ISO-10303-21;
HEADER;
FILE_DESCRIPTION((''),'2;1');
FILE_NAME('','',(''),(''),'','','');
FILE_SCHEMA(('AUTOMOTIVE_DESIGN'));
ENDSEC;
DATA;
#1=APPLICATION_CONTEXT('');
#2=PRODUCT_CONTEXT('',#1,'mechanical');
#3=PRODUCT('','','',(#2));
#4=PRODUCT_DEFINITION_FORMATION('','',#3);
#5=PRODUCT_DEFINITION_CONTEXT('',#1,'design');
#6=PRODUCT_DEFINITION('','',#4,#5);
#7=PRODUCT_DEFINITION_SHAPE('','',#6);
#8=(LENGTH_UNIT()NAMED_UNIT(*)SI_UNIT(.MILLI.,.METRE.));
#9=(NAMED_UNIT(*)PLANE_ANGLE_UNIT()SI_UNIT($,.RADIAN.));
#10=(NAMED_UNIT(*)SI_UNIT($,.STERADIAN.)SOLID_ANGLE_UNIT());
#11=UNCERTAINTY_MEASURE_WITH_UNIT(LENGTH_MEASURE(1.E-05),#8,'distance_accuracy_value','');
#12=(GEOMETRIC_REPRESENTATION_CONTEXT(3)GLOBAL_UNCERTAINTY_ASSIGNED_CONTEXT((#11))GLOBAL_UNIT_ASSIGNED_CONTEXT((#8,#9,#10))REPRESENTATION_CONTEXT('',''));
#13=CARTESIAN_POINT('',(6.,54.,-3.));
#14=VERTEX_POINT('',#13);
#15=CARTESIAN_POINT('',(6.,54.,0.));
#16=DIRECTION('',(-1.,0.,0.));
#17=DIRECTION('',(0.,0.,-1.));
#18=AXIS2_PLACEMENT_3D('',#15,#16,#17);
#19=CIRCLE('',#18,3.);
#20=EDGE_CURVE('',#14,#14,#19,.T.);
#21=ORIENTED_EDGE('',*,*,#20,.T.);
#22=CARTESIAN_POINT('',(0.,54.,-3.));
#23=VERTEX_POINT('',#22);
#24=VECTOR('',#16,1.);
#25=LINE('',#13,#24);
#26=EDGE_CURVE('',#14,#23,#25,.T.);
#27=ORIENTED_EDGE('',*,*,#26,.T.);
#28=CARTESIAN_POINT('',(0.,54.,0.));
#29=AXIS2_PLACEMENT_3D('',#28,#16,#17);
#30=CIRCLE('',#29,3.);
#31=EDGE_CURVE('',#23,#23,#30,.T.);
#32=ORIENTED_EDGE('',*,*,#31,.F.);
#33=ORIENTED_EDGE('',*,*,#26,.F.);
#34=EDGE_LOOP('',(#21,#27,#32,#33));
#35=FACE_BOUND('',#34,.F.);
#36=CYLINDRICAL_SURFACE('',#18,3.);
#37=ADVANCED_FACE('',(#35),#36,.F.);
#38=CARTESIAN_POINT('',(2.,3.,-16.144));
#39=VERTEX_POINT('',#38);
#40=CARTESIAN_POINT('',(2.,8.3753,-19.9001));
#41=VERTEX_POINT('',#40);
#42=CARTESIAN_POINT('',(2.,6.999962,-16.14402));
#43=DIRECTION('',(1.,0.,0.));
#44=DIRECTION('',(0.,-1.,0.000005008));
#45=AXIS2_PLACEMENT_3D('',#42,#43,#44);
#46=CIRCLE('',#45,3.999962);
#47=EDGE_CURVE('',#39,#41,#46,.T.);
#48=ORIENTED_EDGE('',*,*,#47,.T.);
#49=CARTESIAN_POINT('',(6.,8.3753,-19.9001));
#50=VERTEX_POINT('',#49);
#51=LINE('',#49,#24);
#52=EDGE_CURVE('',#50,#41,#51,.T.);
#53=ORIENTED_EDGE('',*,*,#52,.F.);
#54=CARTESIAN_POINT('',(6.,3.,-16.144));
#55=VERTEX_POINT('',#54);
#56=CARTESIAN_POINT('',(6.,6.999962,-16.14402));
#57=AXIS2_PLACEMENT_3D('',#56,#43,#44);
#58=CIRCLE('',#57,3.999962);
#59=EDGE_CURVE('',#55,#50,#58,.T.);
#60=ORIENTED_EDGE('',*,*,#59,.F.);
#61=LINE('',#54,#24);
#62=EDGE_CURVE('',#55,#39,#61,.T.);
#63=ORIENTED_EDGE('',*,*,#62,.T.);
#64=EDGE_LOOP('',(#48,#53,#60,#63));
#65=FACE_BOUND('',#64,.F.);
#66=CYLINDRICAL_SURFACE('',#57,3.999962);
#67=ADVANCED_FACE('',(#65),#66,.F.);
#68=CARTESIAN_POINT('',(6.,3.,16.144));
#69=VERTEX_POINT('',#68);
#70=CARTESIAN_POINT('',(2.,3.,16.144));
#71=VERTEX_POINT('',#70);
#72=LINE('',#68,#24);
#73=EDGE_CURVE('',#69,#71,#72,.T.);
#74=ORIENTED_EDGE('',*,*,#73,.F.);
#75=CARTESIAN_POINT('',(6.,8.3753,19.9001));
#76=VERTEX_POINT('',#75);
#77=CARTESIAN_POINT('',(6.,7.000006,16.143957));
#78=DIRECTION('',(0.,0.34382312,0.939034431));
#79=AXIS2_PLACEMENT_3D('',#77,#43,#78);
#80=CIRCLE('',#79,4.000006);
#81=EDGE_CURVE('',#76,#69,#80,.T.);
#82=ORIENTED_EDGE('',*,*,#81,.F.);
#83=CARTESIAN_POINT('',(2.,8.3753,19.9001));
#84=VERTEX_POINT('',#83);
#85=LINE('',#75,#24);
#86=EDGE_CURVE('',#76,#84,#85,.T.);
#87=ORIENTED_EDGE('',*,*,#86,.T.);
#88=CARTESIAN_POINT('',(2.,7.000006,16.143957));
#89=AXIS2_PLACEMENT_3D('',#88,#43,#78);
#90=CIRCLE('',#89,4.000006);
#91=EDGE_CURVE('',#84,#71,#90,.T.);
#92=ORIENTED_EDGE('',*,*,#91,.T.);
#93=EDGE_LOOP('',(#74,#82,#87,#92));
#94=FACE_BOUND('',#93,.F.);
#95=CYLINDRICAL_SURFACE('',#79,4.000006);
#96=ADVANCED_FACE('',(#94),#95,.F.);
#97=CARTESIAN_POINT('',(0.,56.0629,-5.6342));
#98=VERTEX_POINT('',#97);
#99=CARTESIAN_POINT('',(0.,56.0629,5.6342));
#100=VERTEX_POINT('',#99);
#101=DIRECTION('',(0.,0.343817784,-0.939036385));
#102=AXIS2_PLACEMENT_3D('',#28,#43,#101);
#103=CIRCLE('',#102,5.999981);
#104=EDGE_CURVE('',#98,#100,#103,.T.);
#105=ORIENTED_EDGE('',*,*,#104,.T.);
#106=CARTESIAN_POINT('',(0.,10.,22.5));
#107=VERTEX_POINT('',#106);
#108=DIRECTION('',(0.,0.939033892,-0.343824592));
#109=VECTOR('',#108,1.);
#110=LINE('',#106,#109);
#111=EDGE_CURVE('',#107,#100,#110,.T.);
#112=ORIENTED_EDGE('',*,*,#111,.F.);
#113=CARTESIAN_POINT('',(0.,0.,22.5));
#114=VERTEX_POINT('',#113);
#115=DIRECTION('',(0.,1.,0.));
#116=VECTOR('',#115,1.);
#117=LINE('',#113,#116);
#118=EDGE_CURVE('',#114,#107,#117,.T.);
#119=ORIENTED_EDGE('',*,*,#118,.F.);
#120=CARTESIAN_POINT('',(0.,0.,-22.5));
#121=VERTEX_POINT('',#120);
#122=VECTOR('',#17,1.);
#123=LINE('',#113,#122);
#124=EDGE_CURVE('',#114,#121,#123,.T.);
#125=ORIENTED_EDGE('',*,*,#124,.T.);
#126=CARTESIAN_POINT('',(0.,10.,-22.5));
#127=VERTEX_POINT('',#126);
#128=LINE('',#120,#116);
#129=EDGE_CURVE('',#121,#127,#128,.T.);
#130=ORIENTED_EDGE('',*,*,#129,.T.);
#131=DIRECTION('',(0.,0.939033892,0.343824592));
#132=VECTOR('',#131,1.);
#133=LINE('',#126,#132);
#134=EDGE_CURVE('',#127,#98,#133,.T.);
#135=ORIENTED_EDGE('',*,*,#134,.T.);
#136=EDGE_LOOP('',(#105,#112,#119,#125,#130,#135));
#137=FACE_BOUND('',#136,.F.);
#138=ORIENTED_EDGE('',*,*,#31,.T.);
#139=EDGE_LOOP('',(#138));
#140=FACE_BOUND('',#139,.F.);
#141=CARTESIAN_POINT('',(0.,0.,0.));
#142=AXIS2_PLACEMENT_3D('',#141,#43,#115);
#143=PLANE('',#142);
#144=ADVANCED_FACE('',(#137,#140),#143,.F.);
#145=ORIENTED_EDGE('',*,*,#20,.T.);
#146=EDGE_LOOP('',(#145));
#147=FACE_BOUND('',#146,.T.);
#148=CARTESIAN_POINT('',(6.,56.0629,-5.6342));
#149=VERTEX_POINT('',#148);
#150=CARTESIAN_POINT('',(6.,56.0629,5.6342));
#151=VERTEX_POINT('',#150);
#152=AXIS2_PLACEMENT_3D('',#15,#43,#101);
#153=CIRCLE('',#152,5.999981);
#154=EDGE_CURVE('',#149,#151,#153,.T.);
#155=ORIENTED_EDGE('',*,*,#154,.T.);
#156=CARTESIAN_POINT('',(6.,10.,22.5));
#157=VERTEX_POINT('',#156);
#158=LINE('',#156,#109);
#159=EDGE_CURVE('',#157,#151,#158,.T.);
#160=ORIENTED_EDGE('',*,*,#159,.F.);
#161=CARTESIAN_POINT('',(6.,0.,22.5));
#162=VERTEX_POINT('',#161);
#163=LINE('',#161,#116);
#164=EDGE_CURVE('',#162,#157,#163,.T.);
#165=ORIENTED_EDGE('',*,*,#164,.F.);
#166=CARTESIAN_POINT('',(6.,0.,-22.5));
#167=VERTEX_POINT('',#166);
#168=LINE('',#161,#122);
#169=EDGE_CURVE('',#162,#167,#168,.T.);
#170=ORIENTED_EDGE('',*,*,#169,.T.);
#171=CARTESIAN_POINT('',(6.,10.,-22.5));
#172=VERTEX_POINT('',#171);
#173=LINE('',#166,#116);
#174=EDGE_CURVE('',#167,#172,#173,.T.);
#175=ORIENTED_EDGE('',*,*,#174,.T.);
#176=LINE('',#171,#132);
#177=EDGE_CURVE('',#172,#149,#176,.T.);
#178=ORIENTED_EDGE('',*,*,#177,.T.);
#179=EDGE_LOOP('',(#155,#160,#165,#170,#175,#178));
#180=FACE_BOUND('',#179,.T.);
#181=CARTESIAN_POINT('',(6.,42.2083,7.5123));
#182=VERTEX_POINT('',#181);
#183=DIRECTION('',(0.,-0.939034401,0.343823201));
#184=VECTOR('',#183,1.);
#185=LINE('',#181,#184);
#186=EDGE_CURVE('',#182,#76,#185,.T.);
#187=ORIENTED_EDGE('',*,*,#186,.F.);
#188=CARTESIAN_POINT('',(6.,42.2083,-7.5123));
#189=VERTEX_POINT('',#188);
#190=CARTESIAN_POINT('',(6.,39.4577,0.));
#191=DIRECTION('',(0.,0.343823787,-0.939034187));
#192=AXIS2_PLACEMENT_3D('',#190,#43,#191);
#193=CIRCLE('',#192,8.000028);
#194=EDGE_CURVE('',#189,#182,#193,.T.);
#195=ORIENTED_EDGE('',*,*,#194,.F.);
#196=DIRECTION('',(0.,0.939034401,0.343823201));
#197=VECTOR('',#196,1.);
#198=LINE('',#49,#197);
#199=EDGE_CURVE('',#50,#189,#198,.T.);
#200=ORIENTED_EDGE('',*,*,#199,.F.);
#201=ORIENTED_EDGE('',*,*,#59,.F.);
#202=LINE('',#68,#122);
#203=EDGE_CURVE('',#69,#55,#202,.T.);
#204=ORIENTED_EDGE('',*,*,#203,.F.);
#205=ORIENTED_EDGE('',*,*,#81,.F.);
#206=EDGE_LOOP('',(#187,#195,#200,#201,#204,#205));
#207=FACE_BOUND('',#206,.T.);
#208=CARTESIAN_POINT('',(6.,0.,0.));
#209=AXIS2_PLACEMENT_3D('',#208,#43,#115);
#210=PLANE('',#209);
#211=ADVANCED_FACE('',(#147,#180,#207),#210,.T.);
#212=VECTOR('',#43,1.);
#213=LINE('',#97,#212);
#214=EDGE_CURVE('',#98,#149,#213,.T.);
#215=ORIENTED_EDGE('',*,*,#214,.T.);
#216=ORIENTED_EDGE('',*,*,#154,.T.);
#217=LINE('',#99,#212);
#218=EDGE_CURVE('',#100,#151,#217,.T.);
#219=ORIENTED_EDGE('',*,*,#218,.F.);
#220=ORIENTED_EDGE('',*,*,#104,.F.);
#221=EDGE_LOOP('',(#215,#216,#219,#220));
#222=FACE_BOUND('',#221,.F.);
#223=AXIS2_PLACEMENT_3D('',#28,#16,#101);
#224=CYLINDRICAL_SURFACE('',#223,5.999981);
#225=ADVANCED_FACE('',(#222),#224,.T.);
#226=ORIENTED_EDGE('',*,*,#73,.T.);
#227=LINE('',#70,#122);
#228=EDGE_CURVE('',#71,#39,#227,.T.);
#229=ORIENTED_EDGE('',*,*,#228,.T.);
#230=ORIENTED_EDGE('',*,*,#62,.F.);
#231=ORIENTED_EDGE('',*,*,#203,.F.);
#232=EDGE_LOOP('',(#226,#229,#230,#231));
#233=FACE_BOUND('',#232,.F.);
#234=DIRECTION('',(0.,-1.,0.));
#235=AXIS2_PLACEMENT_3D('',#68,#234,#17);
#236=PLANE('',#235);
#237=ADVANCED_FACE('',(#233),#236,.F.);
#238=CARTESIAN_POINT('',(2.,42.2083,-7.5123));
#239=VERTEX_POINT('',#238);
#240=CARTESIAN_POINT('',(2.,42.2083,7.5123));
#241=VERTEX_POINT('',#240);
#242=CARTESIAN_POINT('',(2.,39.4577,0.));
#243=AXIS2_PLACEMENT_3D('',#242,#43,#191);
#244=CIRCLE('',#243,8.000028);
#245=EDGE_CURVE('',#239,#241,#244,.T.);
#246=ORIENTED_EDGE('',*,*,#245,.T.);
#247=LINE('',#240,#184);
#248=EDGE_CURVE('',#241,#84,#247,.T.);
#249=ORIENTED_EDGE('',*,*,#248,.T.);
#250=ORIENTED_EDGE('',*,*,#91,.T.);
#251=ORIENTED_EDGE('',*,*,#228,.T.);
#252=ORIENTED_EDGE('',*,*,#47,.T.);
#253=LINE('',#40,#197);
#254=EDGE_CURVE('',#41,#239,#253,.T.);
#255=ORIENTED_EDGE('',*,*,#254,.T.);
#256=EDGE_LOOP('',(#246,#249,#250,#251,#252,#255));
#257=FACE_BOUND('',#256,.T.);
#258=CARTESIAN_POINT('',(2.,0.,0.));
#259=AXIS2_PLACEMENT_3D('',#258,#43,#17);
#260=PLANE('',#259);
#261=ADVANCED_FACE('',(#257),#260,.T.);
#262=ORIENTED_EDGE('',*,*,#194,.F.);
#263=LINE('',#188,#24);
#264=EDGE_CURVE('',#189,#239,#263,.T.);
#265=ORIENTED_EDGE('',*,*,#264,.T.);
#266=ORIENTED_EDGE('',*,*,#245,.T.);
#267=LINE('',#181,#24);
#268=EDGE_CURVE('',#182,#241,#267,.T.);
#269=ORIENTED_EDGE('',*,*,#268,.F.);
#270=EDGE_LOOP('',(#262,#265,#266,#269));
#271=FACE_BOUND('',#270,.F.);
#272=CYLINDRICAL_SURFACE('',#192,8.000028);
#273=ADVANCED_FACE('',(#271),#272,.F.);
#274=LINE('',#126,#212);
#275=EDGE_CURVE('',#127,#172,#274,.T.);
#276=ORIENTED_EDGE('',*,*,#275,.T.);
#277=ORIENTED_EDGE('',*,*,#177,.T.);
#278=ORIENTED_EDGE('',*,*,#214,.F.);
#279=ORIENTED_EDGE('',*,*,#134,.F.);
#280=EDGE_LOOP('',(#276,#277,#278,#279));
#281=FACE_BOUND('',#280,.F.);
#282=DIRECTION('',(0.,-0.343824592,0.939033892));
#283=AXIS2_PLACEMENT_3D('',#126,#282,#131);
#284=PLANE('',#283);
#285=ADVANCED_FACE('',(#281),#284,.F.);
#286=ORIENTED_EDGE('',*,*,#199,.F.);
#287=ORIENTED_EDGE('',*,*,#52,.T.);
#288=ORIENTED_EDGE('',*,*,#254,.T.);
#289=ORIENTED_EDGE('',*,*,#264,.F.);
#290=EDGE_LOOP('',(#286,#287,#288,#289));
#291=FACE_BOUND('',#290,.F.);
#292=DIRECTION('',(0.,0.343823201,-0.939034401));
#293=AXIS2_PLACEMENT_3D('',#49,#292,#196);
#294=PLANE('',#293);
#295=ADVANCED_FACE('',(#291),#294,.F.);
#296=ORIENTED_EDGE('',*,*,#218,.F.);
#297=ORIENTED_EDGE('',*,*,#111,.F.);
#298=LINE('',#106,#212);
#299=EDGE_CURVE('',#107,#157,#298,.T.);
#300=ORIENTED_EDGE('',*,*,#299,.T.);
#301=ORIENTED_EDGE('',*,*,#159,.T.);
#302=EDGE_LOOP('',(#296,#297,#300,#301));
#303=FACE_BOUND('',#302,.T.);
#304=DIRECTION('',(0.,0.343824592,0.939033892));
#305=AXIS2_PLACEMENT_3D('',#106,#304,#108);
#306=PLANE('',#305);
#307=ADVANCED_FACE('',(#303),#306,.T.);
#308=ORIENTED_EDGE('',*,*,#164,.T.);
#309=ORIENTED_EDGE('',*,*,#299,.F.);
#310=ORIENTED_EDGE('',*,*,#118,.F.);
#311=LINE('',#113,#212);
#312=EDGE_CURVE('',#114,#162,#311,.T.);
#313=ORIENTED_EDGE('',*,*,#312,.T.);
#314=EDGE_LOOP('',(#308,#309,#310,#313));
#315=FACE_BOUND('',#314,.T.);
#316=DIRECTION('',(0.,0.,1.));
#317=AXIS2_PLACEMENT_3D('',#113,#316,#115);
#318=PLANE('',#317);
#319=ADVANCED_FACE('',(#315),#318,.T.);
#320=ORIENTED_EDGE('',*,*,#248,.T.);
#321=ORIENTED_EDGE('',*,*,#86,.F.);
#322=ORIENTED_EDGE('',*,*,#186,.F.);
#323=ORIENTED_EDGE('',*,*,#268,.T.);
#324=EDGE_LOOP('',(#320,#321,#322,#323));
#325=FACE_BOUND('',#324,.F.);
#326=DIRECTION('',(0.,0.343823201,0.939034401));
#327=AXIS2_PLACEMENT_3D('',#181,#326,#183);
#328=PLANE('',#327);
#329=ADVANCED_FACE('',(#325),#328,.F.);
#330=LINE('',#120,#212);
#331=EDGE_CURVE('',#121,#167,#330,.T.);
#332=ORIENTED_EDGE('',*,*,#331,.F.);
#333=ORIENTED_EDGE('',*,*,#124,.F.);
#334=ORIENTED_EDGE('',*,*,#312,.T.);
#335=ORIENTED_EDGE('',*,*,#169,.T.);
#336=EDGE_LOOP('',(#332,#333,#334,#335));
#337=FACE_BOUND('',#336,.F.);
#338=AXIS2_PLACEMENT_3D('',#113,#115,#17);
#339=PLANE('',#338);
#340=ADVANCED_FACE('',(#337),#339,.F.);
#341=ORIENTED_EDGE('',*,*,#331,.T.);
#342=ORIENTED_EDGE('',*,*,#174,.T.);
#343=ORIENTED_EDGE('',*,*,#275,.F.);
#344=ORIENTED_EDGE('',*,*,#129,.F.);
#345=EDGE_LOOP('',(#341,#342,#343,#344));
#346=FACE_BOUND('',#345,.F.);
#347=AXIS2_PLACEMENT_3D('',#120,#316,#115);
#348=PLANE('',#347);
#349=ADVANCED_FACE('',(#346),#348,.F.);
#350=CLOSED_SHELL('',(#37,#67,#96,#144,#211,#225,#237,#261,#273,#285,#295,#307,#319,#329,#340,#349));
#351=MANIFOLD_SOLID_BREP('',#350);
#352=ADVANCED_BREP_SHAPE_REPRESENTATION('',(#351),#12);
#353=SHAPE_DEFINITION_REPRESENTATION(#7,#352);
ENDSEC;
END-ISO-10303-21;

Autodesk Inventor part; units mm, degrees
ref_plane "YZ Plane" through (0, 0, 0) normal (1, 0, 0) x (0, 1, 0)
ref_plane "XZ Plane" through (0, 0, 0) normal (0, 1, 0) x (-1, 0, 0)
ref_plane "XY Plane" through (0, 0, 0) normal (0, 0, 1) x (1, 0, 0)
sketch "Sketch1" plane through (0, 0, 0) normal (1, 0, 0) x (0, 1, 0)
  line L0 (0, 22.5) -> (0, -22.5)
  arc A0 (56.0629, -5.6342) -> (56.0629, 5.6342) centre (54, 0) ccw
  line L1 (0, 22.5) -> (10, 22.5)
  line L2 (0, -22.5) -> (10, -22.5)
  line L3 (10, -22.5) -> (56.0629, -5.6342)
  line L4 (10, 22.5) -> (56.0629, 5.6342)
  point P0 (0, 0)
  dimension "d1" = 6
  dimension "d2" = 10
  dimension "d3" = 54
  dimension "d4" = 45
extrude "Extrusion1" add sketch "Sketch1" along normal blind 6
sketch "Sketch2" plane through (6, 0, 0) normal (1, 0, 0) x (0, 0, -1)
  line L0 (-22.5, 0) -> (22.5, 0) projected
  line L1 (22.5, 10) -> (5.6342, 56.0629) projected
  line L2 (-5.6342, 56.0629) -> (-22.5, 10) projected
  line L3 (-7.5123, 42.2083) -> (-19.9001, 8.3753)
  line L4 (-16.144, 3) -> (16.144, 3)
  line L5 (19.9001, 8.3753) -> (7.5123, 42.2083)
  arc A0 (7.5123, 42.2083) -> (-7.5123, 42.2083) centre (0, 39.4577) ccw
  arc A1 (-19.9001, 8.3753) -> (-16.144, 3) centre (-16.144, 7) ccw
  arc A2 (16.144, 3) -> (19.9001, 8.3753) centre (16.144, 7) ccw
  point P0 (0, 0)
  dimension "d8" = 4
  dimension "d9" = 8
  dimension "d10" = 3
  dimension "d11" = 3
  dimension "d12" = 3
extrude "Extrusion2" cut sketch "Sketch2" against normal blind 4
sketch "Sketch3" plane through (6, 0, 0) normal (1, 0, 0) x (0, 0, -1)
  arc A0 (5.6342, 56.0629) -> (-5.6342, 56.0629) centre (0, 54) ccw projected
  point P0 (0, 0)
hole "Hole1" at (6, 54, 0) direction (-1, 0, 0) diameter 6 end through all
properties part number "Bearing Short"
